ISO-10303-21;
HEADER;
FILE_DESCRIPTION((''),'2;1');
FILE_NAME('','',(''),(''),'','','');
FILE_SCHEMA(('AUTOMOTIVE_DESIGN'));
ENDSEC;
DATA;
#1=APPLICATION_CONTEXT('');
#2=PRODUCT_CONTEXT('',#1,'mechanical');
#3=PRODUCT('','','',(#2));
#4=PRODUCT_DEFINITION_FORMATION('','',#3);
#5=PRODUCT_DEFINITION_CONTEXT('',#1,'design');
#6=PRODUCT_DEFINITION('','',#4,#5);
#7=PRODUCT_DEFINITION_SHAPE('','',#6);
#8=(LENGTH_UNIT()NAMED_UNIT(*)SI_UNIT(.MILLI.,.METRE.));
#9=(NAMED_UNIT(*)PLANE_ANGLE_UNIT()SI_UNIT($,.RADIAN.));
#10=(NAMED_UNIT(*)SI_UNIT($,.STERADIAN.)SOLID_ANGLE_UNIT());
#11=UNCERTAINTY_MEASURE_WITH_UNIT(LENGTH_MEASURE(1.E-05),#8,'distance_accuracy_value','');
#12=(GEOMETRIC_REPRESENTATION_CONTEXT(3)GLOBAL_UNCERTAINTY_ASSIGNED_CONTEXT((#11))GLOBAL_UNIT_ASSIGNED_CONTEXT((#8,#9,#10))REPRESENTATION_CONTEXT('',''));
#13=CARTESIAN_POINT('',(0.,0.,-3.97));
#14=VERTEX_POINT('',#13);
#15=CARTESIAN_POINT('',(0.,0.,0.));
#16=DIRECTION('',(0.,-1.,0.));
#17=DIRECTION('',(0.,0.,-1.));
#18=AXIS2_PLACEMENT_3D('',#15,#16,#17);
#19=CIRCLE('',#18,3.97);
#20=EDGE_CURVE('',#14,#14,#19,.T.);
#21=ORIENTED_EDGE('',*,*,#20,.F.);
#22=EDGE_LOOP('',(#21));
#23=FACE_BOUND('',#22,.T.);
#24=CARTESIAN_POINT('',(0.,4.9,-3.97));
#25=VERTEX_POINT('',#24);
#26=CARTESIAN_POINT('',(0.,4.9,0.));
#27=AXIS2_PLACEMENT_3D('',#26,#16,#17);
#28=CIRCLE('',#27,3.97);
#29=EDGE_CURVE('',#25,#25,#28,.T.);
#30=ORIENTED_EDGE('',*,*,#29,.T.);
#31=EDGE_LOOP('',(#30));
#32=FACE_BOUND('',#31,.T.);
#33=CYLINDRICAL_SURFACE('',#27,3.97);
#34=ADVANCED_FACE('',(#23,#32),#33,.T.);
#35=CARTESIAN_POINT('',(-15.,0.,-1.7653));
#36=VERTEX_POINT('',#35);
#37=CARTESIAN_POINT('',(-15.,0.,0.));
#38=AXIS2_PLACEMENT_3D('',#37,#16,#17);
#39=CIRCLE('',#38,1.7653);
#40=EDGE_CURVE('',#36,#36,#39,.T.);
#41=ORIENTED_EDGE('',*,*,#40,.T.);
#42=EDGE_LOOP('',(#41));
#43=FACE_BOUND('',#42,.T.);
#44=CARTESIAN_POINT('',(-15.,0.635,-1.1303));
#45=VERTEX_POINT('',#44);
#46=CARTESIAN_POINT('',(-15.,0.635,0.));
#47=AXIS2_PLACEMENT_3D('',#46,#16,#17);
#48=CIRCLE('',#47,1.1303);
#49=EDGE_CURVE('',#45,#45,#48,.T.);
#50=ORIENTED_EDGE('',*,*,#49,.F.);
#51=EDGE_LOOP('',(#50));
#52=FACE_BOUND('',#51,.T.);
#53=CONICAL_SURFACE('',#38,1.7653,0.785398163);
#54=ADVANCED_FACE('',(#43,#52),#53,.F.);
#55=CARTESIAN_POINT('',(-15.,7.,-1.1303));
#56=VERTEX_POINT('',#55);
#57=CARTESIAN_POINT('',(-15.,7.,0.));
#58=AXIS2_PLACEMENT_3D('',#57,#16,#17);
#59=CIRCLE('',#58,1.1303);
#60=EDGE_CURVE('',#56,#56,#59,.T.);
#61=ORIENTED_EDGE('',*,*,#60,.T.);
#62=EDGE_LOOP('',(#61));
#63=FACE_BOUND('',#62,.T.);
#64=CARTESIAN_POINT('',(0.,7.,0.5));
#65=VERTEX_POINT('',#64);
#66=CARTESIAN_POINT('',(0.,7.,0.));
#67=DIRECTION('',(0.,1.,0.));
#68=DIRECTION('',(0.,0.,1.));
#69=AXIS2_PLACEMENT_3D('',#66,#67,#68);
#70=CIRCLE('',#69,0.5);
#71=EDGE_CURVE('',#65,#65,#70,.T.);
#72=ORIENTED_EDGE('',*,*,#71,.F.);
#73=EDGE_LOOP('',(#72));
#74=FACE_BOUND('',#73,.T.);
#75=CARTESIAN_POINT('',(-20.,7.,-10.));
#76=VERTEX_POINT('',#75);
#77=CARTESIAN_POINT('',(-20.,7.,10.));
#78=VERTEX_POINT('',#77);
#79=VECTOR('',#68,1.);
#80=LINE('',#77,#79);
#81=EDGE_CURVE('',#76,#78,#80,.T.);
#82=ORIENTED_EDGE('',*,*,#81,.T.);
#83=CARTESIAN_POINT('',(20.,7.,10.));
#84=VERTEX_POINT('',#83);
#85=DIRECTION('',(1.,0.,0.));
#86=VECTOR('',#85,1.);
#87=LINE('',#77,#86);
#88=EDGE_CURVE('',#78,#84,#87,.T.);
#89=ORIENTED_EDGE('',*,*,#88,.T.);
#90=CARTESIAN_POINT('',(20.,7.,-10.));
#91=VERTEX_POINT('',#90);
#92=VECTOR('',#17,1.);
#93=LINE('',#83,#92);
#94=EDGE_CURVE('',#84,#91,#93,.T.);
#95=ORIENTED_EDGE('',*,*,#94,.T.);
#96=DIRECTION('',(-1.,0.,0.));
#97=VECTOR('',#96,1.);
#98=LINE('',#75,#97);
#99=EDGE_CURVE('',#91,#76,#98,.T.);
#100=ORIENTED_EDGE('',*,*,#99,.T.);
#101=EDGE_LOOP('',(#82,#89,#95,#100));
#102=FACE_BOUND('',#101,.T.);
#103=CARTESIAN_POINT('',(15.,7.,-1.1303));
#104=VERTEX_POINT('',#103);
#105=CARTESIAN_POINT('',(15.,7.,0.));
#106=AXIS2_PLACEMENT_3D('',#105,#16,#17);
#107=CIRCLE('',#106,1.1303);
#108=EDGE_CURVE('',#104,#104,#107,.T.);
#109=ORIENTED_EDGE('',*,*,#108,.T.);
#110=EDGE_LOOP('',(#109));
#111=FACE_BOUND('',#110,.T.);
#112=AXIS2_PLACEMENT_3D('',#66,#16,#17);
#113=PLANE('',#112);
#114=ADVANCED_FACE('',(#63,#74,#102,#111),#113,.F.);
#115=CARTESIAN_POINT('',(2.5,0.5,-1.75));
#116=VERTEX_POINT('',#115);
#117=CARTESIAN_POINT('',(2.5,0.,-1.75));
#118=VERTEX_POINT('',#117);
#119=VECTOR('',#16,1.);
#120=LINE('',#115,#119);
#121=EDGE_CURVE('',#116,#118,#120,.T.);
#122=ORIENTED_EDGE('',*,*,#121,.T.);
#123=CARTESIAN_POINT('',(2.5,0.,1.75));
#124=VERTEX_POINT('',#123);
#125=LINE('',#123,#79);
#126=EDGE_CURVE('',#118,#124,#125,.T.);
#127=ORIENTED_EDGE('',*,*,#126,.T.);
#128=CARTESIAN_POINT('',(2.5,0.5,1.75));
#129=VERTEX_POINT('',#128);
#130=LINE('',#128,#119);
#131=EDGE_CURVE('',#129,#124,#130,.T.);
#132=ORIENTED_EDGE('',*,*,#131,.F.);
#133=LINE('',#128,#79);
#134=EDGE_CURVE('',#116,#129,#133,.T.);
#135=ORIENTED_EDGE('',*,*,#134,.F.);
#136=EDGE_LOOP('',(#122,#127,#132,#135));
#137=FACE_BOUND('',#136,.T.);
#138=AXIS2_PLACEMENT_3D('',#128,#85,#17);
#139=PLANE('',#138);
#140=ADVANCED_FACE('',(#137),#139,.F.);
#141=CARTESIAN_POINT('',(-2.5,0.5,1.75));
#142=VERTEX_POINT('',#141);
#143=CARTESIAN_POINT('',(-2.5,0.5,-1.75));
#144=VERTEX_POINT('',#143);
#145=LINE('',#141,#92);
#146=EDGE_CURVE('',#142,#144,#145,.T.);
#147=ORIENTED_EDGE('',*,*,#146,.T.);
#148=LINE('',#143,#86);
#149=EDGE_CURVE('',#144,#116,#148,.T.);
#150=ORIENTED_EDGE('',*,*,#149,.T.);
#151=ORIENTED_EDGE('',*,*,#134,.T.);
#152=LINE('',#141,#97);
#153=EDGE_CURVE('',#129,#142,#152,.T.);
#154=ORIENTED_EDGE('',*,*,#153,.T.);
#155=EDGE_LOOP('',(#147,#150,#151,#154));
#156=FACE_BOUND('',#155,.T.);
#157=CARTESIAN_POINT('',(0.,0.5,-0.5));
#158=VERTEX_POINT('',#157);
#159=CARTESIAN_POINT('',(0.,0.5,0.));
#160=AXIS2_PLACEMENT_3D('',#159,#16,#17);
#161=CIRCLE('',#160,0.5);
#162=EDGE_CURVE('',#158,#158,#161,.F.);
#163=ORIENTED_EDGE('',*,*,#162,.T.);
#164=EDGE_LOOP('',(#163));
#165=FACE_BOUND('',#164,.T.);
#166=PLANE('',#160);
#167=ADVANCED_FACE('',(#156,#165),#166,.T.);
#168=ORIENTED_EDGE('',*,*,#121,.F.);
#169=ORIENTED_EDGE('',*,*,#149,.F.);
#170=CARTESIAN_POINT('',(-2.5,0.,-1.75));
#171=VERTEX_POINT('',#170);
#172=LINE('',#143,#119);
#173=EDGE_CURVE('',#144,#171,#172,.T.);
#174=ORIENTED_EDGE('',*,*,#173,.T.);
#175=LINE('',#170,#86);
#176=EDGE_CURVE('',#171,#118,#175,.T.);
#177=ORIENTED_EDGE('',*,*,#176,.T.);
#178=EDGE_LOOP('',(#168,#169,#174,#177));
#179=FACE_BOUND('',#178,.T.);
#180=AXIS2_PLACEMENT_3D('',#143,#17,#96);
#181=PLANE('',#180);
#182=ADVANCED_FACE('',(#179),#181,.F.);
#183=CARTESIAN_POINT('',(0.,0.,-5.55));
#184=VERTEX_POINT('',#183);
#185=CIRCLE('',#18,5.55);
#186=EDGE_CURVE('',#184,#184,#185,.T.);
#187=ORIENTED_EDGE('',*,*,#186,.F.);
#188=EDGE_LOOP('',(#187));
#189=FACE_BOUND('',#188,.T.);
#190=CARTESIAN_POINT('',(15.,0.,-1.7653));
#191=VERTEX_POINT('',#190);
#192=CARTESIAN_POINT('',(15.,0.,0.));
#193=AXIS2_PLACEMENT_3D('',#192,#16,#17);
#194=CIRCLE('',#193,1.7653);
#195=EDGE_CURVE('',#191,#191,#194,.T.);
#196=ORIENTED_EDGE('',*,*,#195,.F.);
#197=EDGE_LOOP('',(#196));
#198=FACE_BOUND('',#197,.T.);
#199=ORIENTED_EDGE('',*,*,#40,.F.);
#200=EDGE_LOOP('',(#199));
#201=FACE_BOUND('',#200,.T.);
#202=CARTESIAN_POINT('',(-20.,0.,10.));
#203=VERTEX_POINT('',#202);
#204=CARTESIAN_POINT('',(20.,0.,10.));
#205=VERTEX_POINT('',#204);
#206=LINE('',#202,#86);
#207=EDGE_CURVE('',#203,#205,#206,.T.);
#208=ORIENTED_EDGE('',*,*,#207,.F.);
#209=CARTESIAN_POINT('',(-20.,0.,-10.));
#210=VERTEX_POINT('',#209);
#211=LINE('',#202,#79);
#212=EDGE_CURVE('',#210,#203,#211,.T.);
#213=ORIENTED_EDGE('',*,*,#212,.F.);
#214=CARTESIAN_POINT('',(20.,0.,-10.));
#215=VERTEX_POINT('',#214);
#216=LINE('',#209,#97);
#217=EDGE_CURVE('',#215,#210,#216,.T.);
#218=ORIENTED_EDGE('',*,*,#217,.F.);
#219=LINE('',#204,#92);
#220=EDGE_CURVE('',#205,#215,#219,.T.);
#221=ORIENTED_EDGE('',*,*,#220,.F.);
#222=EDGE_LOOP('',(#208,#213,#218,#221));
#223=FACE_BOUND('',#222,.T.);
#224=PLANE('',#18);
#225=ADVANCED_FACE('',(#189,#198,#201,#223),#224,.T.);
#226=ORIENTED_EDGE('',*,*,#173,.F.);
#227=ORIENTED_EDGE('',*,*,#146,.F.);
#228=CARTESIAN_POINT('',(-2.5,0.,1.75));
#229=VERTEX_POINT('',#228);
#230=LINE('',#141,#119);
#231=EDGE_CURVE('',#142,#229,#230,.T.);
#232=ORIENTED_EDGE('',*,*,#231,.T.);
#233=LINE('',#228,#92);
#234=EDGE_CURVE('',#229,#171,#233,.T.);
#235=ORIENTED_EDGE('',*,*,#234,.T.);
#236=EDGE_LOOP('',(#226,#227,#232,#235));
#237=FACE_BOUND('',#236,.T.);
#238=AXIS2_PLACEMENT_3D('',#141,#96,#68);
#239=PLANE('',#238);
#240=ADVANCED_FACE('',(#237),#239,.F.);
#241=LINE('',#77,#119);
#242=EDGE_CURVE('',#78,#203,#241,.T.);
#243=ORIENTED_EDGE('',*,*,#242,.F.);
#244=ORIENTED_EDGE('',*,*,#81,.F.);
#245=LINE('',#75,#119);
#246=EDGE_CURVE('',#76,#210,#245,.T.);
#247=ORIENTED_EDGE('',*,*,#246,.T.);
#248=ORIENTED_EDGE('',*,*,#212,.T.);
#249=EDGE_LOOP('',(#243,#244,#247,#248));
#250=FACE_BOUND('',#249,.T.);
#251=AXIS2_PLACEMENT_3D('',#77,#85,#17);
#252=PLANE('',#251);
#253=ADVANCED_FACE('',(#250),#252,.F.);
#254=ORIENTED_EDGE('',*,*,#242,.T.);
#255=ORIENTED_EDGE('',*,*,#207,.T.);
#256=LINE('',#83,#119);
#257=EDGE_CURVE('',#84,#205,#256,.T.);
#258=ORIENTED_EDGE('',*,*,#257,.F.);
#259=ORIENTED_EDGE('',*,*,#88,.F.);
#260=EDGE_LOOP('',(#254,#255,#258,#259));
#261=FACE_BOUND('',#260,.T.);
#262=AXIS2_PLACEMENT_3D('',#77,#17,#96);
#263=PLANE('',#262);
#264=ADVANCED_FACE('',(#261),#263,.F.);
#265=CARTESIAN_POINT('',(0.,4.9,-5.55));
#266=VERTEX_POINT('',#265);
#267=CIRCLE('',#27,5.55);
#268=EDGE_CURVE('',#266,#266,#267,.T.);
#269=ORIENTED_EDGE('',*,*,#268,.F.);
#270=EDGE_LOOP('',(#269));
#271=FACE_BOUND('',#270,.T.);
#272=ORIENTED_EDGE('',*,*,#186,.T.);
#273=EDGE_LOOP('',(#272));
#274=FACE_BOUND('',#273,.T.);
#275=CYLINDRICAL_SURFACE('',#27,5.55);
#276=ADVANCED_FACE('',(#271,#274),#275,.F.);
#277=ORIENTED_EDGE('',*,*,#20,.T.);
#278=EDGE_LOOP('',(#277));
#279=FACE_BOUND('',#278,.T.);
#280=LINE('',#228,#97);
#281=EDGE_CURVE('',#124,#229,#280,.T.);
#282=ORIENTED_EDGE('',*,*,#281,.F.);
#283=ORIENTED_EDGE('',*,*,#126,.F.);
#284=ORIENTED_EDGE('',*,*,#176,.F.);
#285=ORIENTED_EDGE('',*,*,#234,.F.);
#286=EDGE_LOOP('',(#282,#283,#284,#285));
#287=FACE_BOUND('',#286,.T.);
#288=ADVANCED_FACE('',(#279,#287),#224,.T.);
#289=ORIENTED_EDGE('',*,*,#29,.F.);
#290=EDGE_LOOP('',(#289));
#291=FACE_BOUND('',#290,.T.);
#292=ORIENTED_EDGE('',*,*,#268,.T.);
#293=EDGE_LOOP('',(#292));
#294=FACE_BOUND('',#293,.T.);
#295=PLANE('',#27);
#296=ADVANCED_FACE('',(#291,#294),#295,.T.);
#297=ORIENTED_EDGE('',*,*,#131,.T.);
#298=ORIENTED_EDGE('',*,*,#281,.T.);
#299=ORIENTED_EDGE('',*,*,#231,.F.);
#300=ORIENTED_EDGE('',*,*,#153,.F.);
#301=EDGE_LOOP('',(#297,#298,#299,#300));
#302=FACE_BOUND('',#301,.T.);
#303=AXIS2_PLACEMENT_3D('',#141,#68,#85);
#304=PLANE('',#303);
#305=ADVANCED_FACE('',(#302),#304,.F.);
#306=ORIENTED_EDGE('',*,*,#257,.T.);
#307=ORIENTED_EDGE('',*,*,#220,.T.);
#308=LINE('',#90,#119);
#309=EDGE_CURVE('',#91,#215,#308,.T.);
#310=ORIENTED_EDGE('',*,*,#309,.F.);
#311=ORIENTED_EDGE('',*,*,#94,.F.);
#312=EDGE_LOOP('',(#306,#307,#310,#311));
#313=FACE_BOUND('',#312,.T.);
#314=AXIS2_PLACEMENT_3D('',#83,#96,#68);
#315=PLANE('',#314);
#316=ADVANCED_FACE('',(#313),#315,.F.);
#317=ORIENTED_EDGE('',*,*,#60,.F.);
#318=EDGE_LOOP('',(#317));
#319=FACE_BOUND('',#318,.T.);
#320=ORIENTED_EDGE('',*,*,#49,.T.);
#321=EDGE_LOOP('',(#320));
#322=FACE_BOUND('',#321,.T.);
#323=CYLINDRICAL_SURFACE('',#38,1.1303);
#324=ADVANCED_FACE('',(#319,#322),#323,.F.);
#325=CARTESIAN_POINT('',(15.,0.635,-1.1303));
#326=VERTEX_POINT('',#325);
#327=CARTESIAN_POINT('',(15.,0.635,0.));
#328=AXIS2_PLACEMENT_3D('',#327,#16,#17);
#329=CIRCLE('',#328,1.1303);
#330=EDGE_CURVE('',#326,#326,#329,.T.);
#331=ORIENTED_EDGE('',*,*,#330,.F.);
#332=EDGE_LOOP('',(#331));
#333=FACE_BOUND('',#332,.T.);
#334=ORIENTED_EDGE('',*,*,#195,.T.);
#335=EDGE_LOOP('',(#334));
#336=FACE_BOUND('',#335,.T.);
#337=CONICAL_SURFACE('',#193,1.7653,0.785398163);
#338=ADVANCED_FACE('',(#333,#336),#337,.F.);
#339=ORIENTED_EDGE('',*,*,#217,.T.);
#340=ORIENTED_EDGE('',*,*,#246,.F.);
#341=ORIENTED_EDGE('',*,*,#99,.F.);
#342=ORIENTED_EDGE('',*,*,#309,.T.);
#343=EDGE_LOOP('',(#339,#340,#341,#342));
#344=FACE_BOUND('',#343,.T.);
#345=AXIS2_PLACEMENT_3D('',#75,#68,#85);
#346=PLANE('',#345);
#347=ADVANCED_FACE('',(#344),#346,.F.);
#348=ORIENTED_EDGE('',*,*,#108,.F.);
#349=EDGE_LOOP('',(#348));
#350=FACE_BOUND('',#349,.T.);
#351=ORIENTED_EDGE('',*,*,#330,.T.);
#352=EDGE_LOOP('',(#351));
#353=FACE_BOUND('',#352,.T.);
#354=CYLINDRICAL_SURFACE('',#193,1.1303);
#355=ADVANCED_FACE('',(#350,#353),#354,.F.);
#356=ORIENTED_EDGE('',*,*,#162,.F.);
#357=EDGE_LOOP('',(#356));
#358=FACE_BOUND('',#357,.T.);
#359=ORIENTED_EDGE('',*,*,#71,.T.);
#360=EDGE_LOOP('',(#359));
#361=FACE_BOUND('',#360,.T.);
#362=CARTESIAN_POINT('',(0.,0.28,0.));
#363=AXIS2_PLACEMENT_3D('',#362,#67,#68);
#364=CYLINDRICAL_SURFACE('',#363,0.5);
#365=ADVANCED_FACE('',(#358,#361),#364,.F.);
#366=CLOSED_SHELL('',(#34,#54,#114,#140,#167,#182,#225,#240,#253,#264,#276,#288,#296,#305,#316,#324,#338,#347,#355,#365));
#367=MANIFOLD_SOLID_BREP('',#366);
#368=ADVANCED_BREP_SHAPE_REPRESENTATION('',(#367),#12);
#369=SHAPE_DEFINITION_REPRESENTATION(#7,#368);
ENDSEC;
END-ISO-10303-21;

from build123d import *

# Parameters (mm, degrees)
SKETCH1_W                       = 40
SKETCH1_H                       = 20
BOSS_EXTRUDE1_DEPTH             = 7
SKETCH2_R                       = 0.5
CUT_EXTRUDE1_DEPTH              = 6.72
F_4_40_TAPPED_HOLE1_D           = 2.2606
F_4_40_TAPPED_HOLE1_CSINK_D     = 3.5306
F_4_40_TAPPED_HOLE1_CSINK_ANGLE = 90
LPATTERN1_COUNT                 = 2
LPATTERN1_PITCH                 = 30
SKETCH12_R                      = 5.55
SKETCH12_R_2                    = 3.97
CUT_EXTRUDE2_DEPTH              = 4.9
SKETCH13_W                      = 5
SKETCH13_H                      = 3.5
CUT_EXTRUDE3_DEPTH              = 0.5


with BuildPart() as part:
    # Sketch1 → Boss-Extrude1 (new body)
    with BuildSketch(Plane(origin=(0, 0, 0), x_dir=(1, 0, 0), z_dir=(0, 1, 0))):
        Rectangle(SKETCH1_W, SKETCH1_H)
    extrude(amount=BOSS_EXTRUDE1_DEPTH)

    # Sketch2 → Cut-Extrude1 (cut)
    with BuildSketch(Plane(origin=(0, 7, 0), x_dir=(1, 0, 0), z_dir=(0, 1, 0))):
        with Locations(Location((0, 0, 0), (0, 0, 270))):
            Circle(SKETCH2_R)
    extrude(amount=-CUT_EXTRUDE1_DEPTH, mode=Mode.SUBTRACT)

    # #4-40 Tapped Hole1 (through all)
    with Locations(Plane(origin=(-15, 0, 0), x_dir=(0, 0, -1), z_dir=(0, -1, 0))):
        with Locations((0, 0)):
            f_4_40_tapped_hole1 = CounterSinkHole(F_4_40_TAPPED_HOLE1_D / 2, F_4_40_TAPPED_HOLE1_CSINK_D / 2, counter_sink_angle=F_4_40_TAPPED_HOLE1_CSINK_ANGLE)

    # LPattern1: #4-40 Tapped Hole1 ×2
    with Locations(*[(i * LPATTERN1_PITCH, 0, 0) for i in range(1, LPATTERN1_COUNT)]):
        add(f_4_40_tapped_hole1, mode=Mode.SUBTRACT)

    # Sketch12 → Cut-Extrude2 (cut)
    with BuildSketch(Plane.XZ):
        with Locations(Location((0, 0, 0), (0, 0, 270))):
            Circle(SKETCH12_R)
        with Locations(Location((0, 0, 0), (0, 0, 270))):
            Circle(SKETCH12_R_2, mode=Mode.SUBTRACT)
    extrude(amount=-CUT_EXTRUDE2_DEPTH, mode=Mode.SUBTRACT)

    # Sketch13 → Cut-Extrude3 (cut)
    with BuildSketch(Plane.XZ):
        Rectangle(SKETCH13_W, SKETCH13_H)
    extrude(amount=-CUT_EXTRUDE3_DEPTH, mode=Mode.SUBTRACT)


solid = part.part
